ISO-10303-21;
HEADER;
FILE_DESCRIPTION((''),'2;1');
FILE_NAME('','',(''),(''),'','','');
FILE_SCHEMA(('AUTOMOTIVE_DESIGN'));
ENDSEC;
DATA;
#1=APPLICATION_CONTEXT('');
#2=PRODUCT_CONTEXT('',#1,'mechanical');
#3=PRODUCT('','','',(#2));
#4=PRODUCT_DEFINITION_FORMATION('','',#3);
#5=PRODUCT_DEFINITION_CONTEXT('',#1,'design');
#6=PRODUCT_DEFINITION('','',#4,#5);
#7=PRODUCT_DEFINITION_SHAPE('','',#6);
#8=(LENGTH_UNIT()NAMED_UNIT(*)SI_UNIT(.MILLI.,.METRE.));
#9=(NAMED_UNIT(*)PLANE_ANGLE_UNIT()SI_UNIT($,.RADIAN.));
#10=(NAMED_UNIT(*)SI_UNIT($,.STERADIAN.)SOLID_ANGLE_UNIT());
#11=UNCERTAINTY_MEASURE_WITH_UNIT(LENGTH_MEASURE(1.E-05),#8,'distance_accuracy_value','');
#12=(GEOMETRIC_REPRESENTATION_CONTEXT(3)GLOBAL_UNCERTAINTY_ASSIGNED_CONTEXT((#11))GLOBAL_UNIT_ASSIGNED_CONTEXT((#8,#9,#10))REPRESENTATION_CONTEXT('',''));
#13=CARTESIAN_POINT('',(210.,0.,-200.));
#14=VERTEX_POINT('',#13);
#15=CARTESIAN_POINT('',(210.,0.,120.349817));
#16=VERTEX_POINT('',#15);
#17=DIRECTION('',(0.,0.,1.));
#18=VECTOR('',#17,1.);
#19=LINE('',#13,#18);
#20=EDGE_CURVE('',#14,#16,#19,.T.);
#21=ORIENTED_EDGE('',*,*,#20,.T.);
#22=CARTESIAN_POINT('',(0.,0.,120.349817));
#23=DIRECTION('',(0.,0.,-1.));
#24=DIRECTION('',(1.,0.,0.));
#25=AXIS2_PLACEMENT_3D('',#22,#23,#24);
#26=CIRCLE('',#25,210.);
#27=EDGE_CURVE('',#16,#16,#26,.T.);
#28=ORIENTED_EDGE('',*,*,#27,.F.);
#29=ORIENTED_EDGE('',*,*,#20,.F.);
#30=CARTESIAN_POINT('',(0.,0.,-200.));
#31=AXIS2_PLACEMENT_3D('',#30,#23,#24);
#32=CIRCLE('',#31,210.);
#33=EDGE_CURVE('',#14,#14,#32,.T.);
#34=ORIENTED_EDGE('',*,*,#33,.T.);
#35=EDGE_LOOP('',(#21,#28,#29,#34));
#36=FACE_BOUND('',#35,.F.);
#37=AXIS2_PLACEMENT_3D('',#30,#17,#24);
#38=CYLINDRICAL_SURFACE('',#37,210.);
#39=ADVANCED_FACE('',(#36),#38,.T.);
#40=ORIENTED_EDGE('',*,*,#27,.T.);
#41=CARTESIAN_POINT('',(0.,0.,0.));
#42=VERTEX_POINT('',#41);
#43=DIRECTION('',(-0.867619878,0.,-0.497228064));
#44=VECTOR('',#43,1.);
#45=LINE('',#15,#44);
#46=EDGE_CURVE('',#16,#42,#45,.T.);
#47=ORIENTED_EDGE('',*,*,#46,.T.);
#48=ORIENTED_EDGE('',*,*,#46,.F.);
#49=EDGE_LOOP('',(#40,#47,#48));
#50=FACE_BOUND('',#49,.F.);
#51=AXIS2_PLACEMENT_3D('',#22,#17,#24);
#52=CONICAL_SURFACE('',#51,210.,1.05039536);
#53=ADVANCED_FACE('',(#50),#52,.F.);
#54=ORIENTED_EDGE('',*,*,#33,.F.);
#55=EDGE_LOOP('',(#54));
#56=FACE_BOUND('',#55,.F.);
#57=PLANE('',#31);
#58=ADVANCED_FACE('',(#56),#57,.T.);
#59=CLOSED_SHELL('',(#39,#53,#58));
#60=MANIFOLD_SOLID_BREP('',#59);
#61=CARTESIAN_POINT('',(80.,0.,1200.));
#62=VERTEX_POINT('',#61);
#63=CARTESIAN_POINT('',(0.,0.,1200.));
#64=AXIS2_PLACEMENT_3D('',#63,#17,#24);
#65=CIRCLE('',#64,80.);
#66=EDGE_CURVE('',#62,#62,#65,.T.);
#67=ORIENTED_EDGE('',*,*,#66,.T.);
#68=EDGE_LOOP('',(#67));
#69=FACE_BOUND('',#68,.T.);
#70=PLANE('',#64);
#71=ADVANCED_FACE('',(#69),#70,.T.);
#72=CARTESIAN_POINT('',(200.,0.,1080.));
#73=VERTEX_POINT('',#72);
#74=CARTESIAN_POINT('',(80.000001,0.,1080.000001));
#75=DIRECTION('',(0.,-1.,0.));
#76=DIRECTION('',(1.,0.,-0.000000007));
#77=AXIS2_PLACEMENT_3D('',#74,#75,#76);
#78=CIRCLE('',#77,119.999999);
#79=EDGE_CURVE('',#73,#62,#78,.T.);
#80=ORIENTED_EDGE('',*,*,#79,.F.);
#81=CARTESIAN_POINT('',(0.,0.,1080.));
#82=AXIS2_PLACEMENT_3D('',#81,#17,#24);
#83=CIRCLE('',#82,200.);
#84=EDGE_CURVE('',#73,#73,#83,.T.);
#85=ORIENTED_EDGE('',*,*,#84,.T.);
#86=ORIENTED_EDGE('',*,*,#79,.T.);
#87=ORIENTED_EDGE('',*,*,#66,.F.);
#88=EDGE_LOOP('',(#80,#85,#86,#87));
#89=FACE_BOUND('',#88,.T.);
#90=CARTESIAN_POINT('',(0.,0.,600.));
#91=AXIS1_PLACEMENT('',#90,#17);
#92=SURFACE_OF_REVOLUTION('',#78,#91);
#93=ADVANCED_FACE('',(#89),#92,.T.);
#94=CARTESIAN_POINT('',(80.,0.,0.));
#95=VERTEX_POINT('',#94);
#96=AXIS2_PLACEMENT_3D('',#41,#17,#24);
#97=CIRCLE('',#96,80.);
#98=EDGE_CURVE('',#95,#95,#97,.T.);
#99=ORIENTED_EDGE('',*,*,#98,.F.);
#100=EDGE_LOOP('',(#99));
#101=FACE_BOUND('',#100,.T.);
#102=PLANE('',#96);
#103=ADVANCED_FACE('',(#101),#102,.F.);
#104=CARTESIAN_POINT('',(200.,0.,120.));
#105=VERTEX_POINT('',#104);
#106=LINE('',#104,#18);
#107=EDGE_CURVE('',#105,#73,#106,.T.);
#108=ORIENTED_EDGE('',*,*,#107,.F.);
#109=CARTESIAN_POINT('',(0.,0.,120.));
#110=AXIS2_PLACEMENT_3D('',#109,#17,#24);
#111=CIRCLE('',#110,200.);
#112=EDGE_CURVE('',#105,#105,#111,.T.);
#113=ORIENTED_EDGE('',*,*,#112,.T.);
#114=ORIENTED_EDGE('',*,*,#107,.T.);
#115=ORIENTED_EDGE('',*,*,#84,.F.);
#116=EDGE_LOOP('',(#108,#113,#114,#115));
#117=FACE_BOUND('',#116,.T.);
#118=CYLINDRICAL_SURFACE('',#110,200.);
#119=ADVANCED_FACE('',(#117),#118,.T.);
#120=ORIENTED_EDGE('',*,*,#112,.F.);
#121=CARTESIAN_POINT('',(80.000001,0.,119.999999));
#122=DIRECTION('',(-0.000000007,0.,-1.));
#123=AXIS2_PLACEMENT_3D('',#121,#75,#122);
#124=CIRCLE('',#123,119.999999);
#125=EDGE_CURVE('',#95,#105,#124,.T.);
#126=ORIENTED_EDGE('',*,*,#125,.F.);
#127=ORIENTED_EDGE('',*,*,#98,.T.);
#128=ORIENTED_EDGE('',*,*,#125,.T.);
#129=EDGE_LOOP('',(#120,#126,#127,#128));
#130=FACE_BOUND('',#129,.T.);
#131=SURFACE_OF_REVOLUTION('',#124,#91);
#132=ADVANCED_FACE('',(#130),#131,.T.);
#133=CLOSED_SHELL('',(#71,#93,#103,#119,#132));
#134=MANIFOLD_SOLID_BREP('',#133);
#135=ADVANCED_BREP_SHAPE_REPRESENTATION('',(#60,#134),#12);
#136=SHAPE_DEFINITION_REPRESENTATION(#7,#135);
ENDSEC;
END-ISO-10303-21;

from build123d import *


with BuildPart() as f1:
    # F0 (on Front) → F1 (revolve)
    with BuildSketch(Plane.XZ):
        with BuildLine():
            Line((0, 1200), (0, 0))
            Line((0, 0), (80, 0))
            ThreePointArc((80, 0), (164.852814, 35.147186), (200, 120))
            Line((200, 120), (200, 1080))
            ThreePointArc((200, 1080), (164.852814, 1164.852814), (80, 1200))
            Line((80, 1200), (0, 1200))
        make_face()
    revolve(axis=Axis((0, 0, 600), (0, 0, 1)))


with BuildPart() as f3:
    # F2 (on Front) → F3 (revolve)
    with BuildSketch(Plane.XZ):
        Polygon((210, 120.349817), (0, 0), (0, -200), (210, -200), align=None)
    revolve(axis=Axis((0, 0, -100), (0, 0, -1)))


solid = Compound([f1.part, f3.part])
